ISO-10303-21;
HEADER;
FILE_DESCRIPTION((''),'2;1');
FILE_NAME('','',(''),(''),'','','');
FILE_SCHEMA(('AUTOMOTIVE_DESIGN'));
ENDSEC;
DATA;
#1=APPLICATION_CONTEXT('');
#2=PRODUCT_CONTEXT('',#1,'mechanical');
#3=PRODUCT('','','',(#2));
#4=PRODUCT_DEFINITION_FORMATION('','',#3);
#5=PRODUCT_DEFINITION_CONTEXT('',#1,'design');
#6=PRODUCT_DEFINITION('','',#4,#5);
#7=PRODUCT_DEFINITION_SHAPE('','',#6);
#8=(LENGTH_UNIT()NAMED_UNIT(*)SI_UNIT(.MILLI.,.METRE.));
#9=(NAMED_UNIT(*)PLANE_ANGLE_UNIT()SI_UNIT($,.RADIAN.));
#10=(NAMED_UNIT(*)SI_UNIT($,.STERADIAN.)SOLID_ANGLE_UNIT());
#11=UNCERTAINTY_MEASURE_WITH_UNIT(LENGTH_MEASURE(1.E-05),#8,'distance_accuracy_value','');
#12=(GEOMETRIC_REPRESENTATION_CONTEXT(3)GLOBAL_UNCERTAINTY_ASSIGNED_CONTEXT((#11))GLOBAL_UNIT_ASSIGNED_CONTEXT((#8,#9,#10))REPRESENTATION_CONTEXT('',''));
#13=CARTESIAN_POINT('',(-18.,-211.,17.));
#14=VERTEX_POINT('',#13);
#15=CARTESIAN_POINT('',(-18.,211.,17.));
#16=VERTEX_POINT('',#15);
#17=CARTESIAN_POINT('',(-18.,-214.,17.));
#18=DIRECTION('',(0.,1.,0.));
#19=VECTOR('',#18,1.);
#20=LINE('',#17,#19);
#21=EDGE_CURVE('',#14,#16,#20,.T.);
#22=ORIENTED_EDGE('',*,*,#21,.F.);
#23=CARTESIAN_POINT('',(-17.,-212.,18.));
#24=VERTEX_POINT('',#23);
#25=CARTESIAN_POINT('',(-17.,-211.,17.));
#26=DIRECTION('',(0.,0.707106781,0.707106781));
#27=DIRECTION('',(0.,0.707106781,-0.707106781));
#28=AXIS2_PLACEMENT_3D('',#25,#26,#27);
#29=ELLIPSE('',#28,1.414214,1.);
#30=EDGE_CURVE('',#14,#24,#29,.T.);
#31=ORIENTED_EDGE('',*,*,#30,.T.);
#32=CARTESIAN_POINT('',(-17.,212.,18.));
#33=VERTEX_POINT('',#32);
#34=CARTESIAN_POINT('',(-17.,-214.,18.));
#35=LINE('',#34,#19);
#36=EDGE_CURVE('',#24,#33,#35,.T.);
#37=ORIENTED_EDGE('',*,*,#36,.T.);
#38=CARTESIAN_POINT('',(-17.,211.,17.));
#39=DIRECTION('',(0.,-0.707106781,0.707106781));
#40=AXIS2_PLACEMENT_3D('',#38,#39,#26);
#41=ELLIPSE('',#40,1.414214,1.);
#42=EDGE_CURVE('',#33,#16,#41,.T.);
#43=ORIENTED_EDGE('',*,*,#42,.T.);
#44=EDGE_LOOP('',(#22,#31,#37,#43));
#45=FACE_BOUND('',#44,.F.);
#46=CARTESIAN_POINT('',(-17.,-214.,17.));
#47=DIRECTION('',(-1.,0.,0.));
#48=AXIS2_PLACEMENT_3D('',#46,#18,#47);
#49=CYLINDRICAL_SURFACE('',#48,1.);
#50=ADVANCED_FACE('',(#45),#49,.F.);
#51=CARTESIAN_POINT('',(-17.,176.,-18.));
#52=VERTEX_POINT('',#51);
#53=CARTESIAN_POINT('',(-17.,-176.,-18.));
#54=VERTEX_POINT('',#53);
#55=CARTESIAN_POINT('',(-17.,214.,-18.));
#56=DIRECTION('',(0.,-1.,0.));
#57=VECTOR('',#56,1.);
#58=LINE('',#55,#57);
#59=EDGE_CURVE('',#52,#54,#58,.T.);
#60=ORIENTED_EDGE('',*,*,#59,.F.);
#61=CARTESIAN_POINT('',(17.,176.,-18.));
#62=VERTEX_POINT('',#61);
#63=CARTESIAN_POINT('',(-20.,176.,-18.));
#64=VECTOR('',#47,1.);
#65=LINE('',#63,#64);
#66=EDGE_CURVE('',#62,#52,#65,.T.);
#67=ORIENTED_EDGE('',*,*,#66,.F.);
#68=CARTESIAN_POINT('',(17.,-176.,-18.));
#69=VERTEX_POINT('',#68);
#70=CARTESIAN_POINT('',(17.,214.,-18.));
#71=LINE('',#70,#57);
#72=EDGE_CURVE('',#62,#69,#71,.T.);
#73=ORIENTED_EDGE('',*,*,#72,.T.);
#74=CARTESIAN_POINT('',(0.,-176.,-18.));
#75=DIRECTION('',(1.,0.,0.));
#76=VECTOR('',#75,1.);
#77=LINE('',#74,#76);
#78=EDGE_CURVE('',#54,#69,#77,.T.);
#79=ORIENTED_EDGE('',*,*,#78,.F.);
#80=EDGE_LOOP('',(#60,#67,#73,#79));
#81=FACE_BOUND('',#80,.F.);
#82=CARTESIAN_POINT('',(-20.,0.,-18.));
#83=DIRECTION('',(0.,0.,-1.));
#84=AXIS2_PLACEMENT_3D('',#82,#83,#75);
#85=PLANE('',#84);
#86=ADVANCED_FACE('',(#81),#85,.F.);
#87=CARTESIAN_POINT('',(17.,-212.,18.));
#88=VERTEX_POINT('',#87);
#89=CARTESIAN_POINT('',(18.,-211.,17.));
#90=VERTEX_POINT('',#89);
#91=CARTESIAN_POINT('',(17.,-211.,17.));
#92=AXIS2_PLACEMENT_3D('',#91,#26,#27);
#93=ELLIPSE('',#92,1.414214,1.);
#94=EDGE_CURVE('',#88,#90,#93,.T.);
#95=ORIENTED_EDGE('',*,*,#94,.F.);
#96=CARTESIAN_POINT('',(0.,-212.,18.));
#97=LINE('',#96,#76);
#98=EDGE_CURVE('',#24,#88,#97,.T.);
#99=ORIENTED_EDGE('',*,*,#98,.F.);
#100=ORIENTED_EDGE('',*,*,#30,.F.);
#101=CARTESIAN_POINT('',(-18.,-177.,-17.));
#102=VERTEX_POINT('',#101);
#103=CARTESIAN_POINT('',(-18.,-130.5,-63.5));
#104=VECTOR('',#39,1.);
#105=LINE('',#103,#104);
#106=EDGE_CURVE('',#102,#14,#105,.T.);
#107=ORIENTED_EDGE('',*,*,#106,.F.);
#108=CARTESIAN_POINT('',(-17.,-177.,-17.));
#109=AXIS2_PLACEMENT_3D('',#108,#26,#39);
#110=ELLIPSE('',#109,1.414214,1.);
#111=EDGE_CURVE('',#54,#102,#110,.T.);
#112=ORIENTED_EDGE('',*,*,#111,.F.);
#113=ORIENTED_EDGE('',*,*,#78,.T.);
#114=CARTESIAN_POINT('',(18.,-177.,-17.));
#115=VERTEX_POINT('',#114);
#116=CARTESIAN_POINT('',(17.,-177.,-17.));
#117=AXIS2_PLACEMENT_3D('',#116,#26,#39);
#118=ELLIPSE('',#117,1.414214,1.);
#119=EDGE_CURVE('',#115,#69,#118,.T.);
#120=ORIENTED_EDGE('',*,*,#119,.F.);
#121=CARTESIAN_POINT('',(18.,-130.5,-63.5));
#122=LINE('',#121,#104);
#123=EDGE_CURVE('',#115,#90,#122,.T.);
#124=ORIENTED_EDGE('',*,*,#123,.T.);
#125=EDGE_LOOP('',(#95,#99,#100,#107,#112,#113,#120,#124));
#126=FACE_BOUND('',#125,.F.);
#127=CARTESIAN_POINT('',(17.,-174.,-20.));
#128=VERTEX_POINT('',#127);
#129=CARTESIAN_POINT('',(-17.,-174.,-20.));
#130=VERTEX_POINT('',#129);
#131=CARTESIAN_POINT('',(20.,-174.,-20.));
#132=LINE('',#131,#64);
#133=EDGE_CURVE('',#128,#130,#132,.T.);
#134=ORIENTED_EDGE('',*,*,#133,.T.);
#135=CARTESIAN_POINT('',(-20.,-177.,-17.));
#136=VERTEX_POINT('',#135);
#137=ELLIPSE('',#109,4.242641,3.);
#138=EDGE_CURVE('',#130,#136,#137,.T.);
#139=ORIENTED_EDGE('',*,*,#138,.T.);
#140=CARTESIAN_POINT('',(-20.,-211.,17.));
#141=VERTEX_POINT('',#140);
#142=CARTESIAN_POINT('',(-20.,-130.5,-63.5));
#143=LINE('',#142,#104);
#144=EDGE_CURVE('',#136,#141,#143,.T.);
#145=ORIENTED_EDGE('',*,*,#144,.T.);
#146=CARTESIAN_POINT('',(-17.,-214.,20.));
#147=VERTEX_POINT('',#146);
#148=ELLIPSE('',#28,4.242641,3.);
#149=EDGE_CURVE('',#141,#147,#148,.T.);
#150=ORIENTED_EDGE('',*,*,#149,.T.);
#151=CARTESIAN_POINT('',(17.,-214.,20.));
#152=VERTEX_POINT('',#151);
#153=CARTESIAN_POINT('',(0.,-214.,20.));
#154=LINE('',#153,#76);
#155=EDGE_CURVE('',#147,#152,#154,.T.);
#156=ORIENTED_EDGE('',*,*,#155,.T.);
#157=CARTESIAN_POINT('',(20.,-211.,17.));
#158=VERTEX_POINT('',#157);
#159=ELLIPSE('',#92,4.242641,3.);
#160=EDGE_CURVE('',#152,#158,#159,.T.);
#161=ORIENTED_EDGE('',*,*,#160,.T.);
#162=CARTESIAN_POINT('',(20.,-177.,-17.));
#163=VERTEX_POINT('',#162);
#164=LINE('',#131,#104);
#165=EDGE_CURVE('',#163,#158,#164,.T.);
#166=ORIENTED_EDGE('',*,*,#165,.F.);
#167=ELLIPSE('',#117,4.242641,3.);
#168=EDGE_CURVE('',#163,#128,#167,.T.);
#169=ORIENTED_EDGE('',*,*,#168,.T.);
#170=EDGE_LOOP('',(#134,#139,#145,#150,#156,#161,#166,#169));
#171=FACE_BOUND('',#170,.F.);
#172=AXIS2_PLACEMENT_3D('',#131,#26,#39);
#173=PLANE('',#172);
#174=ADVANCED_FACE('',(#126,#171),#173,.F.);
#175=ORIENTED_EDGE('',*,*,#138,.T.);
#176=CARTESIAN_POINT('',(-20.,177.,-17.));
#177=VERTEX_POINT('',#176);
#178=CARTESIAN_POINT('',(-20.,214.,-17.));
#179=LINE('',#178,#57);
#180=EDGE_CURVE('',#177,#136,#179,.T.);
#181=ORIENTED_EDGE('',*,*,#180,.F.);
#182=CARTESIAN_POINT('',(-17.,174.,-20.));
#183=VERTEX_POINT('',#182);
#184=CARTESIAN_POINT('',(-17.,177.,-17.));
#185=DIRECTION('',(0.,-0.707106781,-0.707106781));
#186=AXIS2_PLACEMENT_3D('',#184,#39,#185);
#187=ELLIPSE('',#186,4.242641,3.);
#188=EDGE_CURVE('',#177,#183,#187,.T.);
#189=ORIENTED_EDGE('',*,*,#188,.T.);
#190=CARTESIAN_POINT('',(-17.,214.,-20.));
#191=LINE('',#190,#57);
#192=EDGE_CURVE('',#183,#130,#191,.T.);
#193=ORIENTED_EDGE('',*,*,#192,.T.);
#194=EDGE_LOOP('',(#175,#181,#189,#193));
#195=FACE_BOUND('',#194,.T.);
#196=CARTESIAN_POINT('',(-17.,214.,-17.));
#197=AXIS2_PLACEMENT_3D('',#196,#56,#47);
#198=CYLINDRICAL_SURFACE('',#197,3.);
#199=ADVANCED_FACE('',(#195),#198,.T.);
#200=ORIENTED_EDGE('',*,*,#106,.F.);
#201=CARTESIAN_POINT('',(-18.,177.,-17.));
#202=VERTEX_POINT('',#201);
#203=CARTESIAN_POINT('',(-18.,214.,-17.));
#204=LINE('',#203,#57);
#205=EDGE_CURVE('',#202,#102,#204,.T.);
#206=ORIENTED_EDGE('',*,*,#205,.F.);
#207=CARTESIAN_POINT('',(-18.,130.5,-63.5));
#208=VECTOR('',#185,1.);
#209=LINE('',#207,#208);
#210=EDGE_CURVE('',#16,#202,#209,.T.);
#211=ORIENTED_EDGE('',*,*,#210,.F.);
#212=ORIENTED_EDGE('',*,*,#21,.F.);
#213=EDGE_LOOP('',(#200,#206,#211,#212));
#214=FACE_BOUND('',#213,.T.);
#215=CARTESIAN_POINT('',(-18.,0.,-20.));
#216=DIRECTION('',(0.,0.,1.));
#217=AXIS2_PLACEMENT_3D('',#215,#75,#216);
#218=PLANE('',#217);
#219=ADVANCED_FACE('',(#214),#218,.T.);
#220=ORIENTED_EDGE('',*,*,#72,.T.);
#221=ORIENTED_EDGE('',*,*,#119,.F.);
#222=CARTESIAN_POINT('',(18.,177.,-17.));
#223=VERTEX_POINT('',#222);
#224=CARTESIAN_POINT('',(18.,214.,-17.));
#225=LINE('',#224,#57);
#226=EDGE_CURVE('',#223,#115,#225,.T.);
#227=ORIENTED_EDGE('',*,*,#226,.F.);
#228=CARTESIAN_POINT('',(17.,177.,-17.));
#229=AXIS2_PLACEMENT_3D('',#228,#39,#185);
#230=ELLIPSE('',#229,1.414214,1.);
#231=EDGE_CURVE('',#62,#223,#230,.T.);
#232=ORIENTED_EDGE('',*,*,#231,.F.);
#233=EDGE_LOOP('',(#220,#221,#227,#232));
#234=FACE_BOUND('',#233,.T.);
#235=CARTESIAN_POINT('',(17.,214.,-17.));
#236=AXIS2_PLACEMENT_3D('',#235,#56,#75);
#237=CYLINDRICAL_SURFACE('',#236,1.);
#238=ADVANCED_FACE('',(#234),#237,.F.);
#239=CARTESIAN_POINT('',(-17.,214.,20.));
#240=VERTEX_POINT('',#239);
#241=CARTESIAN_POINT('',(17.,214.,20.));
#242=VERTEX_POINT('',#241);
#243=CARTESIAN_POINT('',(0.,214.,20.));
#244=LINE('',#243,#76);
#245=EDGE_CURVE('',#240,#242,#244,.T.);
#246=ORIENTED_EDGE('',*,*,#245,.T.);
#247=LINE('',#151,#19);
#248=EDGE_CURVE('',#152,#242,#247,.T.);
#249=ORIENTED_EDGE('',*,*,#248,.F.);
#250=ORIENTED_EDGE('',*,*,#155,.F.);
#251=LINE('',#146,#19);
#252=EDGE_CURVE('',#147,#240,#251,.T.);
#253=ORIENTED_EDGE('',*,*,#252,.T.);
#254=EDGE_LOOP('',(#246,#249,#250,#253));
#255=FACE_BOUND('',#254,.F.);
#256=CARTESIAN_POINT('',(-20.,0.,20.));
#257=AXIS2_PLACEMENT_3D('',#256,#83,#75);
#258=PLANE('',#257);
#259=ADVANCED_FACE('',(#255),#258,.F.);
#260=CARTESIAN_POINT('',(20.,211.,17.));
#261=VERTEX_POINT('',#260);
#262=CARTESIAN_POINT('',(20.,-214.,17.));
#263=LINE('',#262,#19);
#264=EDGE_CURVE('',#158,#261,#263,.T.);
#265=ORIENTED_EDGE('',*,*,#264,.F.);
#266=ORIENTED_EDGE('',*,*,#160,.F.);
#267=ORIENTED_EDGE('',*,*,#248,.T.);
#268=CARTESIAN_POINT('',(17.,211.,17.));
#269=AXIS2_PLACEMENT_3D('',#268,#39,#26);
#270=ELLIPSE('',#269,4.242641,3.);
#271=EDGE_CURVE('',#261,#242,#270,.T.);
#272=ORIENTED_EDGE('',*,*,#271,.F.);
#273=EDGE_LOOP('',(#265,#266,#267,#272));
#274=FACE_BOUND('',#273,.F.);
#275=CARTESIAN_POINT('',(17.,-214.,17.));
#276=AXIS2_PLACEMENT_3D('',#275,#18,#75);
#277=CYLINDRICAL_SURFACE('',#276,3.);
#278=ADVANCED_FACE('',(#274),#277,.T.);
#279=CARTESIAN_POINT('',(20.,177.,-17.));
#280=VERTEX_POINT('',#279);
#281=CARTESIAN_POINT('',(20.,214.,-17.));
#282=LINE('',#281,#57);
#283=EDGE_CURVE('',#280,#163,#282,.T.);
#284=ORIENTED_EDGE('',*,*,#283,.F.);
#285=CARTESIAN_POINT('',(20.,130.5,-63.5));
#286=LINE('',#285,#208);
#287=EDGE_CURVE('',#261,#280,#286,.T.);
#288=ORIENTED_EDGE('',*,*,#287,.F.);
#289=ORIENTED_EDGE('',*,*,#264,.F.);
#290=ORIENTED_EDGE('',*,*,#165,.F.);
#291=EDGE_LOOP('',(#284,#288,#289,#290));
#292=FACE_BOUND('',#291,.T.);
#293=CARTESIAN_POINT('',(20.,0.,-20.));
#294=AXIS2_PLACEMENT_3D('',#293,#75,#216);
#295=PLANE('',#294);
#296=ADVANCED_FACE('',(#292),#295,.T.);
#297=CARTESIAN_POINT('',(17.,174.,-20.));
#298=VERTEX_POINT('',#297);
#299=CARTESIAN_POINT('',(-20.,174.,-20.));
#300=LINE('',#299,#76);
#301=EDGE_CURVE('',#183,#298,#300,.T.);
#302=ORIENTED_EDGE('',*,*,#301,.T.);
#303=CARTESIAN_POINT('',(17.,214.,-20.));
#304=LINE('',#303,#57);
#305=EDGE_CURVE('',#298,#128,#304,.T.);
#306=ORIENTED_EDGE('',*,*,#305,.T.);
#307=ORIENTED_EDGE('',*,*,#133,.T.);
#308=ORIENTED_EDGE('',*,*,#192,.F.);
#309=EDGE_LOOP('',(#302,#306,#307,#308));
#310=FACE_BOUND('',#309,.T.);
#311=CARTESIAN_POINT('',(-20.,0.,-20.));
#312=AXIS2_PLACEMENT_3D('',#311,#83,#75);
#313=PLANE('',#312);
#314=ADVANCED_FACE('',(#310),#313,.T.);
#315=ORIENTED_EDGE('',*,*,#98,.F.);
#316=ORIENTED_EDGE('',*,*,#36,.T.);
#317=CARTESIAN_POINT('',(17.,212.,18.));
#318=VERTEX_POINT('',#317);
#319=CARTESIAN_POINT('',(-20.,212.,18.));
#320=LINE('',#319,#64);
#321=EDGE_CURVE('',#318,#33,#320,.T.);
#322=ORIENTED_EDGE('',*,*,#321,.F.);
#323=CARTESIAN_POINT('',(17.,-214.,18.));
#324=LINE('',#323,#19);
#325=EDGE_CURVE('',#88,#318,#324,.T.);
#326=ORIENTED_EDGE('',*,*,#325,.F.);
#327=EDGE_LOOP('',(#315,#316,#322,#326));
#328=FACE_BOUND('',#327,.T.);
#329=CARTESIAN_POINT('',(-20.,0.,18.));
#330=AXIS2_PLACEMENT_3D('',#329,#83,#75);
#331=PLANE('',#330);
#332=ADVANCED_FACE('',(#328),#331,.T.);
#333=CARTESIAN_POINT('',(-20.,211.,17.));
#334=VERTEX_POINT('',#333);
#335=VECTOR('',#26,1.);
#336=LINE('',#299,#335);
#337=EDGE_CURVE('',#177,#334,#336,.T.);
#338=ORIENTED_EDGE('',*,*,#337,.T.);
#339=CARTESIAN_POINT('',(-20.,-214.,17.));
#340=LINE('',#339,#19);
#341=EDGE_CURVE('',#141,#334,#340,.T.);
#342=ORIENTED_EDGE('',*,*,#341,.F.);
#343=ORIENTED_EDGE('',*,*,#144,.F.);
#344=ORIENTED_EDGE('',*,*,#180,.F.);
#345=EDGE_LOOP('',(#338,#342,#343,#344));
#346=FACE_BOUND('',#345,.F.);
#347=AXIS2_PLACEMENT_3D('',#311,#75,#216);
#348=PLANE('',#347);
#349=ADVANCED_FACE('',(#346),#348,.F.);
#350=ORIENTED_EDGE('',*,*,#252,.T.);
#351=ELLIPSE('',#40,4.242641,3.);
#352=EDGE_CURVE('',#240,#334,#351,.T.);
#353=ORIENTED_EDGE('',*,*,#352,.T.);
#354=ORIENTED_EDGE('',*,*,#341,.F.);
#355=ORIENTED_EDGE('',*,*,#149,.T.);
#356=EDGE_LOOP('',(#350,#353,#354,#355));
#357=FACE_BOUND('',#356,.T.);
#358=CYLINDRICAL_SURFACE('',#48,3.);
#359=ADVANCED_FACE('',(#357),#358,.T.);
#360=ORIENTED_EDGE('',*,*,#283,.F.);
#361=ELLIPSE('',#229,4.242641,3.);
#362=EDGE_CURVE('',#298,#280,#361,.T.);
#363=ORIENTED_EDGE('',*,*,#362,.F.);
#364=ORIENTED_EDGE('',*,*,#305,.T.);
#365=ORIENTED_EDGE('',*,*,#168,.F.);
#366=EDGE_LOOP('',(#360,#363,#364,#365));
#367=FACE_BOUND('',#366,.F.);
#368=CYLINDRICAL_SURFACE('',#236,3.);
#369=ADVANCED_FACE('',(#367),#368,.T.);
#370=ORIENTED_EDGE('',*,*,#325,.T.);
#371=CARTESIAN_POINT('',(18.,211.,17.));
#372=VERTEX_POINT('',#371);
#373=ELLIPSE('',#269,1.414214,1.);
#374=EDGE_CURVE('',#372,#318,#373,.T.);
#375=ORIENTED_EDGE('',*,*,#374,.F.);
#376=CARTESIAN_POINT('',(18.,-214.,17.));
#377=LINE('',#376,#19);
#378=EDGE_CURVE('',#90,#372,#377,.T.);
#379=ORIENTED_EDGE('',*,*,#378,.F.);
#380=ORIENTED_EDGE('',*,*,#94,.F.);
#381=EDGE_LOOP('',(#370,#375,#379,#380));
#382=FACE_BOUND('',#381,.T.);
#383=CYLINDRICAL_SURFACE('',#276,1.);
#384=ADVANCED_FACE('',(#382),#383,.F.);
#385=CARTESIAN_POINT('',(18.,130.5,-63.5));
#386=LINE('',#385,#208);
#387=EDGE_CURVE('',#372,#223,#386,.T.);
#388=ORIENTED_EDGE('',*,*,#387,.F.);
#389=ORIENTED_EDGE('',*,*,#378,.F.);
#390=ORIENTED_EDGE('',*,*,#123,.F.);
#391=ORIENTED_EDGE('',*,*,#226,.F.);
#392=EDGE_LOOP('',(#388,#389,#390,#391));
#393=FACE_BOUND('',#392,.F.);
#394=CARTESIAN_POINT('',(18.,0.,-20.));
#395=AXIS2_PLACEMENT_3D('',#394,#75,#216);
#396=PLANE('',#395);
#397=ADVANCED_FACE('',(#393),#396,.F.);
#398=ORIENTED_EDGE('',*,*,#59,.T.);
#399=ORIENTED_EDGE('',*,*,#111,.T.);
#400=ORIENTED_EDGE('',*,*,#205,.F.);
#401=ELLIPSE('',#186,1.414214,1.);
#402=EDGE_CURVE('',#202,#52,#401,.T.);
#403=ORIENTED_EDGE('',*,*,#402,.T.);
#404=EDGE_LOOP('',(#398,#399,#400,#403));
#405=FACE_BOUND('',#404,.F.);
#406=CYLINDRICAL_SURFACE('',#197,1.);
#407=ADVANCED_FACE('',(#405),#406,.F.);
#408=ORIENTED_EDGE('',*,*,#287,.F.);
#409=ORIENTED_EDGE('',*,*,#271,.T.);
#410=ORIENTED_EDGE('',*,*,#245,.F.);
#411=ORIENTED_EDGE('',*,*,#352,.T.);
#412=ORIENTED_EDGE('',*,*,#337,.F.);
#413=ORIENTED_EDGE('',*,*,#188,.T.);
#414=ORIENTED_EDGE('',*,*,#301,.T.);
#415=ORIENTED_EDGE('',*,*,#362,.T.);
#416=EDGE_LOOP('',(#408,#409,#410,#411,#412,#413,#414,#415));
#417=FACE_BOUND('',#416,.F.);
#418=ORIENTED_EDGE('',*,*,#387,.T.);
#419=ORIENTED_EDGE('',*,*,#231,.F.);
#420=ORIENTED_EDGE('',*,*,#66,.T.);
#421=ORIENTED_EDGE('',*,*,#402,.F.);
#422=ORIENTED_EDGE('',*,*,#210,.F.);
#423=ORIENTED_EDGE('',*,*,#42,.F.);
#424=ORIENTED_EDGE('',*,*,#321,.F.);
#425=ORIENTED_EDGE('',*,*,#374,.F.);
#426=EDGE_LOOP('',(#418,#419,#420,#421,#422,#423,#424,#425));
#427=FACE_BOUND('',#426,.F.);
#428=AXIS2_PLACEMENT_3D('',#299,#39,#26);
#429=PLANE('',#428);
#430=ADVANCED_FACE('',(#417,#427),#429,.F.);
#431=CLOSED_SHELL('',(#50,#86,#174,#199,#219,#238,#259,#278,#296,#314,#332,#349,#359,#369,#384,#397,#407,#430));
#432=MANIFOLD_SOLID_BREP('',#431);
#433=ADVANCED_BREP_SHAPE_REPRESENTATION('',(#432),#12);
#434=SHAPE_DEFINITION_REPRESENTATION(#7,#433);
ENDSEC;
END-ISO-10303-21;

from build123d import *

# Parameters (mm, degrees)
F2_W     = 40
F2_H     = 40
F3_DEPTH = 214
F4_R     = 3
F5_T     = -2
F7_DEPTH = 40.001
F9_DEPTH = 40.001


with BuildPart() as f3:
    # F2 (on Front) → F3 (new body, symmetric)
    with BuildSketch(Plane.XZ):
        Rectangle(F2_W, F2_H)
    extrude(amount=F3_DEPTH, both=True)

    # F4
    f4_edges = [f3.edges().sort_by_distance(p)[0] for p in [
        (20, 0, 20),
        (-20, 0, 20),
        (20, 0, -20),
        (-20, 0, -20),
    ]]
    fillet(f4_edges, radius=F4_R)

    # F5
    f5_openings = [f3.faces().sort_by_distance(p)[0] for p in [
        (0, -214, 0),
        (0, 214, 0),
    ]]
    offset(amount=F5_T, openings=f5_openings)

    # F6 (on face) → F7 (cut, through all)
    with BuildSketch(Plane(origin=(-20, 0, 0), x_dir=(0, -1, 0), z_dir=(-1, 0, 0))):
        Polygon((-214, 20), (-214, -20), (-174, -20), align=None)
    extrude(amount=-F7_DEPTH, mode=Mode.SUBTRACT)

    # F8 (on face) → F9 (cut, through all)
    with BuildSketch(Plane.YZ.offset(20)):
        Polygon((-214, -20), (-174, -20), (-214, 20), align=None)
    extrude(amount=-F9_DEPTH, mode=Mode.SUBTRACT)


solid = f3.part
